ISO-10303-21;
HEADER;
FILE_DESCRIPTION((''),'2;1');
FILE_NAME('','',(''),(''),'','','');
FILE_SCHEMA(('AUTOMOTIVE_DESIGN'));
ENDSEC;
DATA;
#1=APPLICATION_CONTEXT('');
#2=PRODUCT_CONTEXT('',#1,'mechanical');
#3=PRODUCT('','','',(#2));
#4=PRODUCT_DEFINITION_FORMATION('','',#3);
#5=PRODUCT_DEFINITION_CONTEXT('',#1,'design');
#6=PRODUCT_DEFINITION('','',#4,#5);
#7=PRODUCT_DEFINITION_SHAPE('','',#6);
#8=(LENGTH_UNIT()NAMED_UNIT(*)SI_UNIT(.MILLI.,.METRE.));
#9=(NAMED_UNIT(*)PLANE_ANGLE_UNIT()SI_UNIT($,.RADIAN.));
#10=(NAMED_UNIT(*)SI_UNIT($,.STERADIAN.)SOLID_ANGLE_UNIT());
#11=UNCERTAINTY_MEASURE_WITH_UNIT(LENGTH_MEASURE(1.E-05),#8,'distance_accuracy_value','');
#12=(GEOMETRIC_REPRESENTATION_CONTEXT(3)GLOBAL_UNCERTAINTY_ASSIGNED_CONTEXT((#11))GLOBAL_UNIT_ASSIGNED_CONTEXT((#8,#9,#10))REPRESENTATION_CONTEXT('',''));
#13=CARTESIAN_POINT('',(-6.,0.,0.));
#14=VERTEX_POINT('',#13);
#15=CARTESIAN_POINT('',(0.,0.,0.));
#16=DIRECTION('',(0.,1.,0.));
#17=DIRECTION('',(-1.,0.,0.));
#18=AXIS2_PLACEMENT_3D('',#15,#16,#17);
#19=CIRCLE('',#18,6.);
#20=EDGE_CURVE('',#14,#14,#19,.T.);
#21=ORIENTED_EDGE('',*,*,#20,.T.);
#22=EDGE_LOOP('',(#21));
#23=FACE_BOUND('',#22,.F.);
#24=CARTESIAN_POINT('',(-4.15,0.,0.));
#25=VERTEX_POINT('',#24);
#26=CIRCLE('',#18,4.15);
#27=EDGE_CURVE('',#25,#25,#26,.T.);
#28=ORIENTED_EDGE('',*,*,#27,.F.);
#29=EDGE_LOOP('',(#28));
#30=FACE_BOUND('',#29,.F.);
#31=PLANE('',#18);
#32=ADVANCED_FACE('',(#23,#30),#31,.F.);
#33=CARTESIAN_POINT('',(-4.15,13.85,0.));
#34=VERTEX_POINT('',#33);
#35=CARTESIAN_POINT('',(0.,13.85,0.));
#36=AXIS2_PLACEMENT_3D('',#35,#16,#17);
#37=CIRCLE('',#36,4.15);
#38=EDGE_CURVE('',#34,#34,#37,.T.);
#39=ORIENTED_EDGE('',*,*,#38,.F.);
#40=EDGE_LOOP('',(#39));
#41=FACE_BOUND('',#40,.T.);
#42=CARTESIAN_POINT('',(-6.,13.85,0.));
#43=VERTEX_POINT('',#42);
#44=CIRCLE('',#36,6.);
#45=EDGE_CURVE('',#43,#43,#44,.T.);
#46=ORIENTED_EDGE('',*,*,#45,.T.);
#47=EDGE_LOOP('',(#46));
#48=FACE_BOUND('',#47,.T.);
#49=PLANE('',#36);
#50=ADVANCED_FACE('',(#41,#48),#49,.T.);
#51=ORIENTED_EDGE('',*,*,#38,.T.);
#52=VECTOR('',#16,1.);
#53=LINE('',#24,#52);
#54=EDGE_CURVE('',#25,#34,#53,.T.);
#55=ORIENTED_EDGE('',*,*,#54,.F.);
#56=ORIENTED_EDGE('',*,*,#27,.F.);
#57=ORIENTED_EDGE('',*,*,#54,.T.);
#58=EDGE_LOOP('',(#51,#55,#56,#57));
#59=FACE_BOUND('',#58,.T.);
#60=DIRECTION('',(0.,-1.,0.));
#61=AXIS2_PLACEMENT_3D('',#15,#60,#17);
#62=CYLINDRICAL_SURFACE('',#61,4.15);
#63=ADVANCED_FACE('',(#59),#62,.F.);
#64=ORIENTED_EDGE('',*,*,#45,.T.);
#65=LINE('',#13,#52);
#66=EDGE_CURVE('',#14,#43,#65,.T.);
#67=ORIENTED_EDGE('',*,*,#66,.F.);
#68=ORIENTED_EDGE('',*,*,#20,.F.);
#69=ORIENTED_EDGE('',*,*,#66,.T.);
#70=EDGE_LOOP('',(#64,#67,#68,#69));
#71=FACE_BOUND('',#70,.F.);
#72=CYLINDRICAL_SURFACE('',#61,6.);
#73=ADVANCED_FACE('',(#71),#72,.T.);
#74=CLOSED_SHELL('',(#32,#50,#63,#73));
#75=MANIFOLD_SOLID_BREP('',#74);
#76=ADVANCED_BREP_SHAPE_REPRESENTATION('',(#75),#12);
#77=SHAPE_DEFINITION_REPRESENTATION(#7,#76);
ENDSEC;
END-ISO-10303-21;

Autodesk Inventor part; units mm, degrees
ref_plane "YZ Plane" through (0, 0, 0) normal (1, 0, 0) x (0, 1, 0)
ref_plane "XZ Plane" through (0, 0, 0) normal (0, 1, 0) x (-1, 0, 0)
ref_plane "XY Plane" through (0, 0, 0) normal (0, 0, 1) x (1, 0, 0)
sketch "Sketch1" plane through (0, 0, 0) normal (0, 1, 0) x (-1, 0, 0)
  circle A0 centre (0, 0) radius 4.15
  circle A1 centre (0, 0) radius 6
  dimension "d0" = 8.3
  dimension "d1" = 12
extrude "Extrusion1" add sketch "Sketch1" along normal blind 13.85
properties part number "CH_01_0017_distance"
